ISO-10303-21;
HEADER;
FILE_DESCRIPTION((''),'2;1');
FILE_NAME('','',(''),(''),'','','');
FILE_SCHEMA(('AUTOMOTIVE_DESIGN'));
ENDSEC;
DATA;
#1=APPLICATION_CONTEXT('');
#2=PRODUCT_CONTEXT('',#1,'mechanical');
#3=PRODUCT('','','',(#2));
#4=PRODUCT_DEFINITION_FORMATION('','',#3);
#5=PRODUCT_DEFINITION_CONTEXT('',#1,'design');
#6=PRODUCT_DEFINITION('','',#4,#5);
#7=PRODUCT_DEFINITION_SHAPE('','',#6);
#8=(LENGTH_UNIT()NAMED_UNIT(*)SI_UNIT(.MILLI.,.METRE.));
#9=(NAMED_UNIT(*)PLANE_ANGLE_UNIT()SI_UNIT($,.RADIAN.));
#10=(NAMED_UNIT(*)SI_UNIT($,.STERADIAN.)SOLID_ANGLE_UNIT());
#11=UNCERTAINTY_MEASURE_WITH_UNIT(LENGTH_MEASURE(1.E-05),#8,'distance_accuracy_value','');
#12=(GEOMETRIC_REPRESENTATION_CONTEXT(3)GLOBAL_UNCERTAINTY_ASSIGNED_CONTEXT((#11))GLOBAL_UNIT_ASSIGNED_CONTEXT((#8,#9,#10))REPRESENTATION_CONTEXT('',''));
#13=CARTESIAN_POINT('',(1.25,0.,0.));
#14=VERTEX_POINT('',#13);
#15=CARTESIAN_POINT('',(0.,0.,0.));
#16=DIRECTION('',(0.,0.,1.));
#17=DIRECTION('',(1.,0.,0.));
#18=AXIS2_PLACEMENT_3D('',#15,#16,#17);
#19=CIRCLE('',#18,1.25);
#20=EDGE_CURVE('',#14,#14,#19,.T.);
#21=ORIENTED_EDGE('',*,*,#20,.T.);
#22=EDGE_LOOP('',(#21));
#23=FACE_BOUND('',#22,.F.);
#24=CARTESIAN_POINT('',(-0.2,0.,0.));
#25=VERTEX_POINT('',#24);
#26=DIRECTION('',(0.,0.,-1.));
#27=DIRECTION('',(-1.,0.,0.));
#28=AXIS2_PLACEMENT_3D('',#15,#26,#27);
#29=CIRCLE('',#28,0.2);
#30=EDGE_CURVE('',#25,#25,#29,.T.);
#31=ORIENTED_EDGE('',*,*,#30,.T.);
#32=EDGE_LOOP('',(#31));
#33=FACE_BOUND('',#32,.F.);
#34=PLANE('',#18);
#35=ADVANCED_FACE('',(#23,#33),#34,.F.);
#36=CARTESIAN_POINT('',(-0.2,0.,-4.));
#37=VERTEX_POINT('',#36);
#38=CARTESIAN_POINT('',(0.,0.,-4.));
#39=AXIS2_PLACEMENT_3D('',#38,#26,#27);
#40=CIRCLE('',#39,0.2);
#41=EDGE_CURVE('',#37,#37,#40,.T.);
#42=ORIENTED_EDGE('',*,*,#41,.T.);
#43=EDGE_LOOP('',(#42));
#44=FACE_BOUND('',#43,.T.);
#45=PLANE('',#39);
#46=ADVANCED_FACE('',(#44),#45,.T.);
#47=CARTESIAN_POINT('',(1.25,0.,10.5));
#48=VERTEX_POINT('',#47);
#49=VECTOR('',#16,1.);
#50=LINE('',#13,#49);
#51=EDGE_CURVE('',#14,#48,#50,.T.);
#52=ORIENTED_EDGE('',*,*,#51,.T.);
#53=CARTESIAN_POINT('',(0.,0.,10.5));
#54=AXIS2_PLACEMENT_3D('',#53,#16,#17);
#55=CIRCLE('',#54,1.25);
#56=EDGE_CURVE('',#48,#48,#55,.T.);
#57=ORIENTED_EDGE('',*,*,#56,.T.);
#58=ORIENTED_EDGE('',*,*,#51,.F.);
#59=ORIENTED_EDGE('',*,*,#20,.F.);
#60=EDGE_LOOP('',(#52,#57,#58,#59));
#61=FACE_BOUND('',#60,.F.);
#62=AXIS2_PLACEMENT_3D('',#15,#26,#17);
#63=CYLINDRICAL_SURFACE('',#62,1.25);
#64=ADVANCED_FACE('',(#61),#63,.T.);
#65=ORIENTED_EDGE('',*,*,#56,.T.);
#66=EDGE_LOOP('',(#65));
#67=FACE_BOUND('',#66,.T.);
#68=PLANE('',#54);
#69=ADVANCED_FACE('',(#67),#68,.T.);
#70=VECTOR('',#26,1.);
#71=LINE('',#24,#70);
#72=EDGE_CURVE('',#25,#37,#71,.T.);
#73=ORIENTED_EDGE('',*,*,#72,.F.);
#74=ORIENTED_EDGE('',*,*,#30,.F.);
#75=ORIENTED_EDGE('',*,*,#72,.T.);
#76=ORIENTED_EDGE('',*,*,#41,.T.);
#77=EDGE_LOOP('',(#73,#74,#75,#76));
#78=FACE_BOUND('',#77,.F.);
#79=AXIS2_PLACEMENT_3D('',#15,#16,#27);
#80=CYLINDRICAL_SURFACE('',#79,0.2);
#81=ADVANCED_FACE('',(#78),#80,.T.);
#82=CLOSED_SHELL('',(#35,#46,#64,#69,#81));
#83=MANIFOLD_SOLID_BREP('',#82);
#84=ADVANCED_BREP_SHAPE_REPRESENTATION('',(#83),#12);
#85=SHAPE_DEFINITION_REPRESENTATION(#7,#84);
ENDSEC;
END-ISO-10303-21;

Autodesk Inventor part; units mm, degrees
ref_plane "YZ Plane" through (0, 0, 0) normal (1, 0, 0) x (0, 1, 0)
ref_plane "XZ Plane" through (0, 0, 0) normal (0, 1, 0) x (-1, 0, 0)
ref_plane "XY Plane" through (0, 0, 0) normal (0, 0, 1) x (1, 0, 0)
sketch "Sketch1" plane through (0, 0, 0) normal (0, 0, 1) x (1, 0, 0)
  circle A0 centre (0, 0) radius 1.25
  dimension "d0" = 2.5
extrude "Extrusion1" add sketch "Sketch1" along normal blind 10.5
sketch "Sketch2" plane through (0, 0, 0) normal (0, 0, -1) x (-1, 0, 0)
  circle A0 centre (0, 0) radius 0.2
  dimension "d3" = 0.4
extrude "Extrusion2" add sketch "Sketch2" along normal blind 4
properties part number "cannula_2_5mm_v01"
